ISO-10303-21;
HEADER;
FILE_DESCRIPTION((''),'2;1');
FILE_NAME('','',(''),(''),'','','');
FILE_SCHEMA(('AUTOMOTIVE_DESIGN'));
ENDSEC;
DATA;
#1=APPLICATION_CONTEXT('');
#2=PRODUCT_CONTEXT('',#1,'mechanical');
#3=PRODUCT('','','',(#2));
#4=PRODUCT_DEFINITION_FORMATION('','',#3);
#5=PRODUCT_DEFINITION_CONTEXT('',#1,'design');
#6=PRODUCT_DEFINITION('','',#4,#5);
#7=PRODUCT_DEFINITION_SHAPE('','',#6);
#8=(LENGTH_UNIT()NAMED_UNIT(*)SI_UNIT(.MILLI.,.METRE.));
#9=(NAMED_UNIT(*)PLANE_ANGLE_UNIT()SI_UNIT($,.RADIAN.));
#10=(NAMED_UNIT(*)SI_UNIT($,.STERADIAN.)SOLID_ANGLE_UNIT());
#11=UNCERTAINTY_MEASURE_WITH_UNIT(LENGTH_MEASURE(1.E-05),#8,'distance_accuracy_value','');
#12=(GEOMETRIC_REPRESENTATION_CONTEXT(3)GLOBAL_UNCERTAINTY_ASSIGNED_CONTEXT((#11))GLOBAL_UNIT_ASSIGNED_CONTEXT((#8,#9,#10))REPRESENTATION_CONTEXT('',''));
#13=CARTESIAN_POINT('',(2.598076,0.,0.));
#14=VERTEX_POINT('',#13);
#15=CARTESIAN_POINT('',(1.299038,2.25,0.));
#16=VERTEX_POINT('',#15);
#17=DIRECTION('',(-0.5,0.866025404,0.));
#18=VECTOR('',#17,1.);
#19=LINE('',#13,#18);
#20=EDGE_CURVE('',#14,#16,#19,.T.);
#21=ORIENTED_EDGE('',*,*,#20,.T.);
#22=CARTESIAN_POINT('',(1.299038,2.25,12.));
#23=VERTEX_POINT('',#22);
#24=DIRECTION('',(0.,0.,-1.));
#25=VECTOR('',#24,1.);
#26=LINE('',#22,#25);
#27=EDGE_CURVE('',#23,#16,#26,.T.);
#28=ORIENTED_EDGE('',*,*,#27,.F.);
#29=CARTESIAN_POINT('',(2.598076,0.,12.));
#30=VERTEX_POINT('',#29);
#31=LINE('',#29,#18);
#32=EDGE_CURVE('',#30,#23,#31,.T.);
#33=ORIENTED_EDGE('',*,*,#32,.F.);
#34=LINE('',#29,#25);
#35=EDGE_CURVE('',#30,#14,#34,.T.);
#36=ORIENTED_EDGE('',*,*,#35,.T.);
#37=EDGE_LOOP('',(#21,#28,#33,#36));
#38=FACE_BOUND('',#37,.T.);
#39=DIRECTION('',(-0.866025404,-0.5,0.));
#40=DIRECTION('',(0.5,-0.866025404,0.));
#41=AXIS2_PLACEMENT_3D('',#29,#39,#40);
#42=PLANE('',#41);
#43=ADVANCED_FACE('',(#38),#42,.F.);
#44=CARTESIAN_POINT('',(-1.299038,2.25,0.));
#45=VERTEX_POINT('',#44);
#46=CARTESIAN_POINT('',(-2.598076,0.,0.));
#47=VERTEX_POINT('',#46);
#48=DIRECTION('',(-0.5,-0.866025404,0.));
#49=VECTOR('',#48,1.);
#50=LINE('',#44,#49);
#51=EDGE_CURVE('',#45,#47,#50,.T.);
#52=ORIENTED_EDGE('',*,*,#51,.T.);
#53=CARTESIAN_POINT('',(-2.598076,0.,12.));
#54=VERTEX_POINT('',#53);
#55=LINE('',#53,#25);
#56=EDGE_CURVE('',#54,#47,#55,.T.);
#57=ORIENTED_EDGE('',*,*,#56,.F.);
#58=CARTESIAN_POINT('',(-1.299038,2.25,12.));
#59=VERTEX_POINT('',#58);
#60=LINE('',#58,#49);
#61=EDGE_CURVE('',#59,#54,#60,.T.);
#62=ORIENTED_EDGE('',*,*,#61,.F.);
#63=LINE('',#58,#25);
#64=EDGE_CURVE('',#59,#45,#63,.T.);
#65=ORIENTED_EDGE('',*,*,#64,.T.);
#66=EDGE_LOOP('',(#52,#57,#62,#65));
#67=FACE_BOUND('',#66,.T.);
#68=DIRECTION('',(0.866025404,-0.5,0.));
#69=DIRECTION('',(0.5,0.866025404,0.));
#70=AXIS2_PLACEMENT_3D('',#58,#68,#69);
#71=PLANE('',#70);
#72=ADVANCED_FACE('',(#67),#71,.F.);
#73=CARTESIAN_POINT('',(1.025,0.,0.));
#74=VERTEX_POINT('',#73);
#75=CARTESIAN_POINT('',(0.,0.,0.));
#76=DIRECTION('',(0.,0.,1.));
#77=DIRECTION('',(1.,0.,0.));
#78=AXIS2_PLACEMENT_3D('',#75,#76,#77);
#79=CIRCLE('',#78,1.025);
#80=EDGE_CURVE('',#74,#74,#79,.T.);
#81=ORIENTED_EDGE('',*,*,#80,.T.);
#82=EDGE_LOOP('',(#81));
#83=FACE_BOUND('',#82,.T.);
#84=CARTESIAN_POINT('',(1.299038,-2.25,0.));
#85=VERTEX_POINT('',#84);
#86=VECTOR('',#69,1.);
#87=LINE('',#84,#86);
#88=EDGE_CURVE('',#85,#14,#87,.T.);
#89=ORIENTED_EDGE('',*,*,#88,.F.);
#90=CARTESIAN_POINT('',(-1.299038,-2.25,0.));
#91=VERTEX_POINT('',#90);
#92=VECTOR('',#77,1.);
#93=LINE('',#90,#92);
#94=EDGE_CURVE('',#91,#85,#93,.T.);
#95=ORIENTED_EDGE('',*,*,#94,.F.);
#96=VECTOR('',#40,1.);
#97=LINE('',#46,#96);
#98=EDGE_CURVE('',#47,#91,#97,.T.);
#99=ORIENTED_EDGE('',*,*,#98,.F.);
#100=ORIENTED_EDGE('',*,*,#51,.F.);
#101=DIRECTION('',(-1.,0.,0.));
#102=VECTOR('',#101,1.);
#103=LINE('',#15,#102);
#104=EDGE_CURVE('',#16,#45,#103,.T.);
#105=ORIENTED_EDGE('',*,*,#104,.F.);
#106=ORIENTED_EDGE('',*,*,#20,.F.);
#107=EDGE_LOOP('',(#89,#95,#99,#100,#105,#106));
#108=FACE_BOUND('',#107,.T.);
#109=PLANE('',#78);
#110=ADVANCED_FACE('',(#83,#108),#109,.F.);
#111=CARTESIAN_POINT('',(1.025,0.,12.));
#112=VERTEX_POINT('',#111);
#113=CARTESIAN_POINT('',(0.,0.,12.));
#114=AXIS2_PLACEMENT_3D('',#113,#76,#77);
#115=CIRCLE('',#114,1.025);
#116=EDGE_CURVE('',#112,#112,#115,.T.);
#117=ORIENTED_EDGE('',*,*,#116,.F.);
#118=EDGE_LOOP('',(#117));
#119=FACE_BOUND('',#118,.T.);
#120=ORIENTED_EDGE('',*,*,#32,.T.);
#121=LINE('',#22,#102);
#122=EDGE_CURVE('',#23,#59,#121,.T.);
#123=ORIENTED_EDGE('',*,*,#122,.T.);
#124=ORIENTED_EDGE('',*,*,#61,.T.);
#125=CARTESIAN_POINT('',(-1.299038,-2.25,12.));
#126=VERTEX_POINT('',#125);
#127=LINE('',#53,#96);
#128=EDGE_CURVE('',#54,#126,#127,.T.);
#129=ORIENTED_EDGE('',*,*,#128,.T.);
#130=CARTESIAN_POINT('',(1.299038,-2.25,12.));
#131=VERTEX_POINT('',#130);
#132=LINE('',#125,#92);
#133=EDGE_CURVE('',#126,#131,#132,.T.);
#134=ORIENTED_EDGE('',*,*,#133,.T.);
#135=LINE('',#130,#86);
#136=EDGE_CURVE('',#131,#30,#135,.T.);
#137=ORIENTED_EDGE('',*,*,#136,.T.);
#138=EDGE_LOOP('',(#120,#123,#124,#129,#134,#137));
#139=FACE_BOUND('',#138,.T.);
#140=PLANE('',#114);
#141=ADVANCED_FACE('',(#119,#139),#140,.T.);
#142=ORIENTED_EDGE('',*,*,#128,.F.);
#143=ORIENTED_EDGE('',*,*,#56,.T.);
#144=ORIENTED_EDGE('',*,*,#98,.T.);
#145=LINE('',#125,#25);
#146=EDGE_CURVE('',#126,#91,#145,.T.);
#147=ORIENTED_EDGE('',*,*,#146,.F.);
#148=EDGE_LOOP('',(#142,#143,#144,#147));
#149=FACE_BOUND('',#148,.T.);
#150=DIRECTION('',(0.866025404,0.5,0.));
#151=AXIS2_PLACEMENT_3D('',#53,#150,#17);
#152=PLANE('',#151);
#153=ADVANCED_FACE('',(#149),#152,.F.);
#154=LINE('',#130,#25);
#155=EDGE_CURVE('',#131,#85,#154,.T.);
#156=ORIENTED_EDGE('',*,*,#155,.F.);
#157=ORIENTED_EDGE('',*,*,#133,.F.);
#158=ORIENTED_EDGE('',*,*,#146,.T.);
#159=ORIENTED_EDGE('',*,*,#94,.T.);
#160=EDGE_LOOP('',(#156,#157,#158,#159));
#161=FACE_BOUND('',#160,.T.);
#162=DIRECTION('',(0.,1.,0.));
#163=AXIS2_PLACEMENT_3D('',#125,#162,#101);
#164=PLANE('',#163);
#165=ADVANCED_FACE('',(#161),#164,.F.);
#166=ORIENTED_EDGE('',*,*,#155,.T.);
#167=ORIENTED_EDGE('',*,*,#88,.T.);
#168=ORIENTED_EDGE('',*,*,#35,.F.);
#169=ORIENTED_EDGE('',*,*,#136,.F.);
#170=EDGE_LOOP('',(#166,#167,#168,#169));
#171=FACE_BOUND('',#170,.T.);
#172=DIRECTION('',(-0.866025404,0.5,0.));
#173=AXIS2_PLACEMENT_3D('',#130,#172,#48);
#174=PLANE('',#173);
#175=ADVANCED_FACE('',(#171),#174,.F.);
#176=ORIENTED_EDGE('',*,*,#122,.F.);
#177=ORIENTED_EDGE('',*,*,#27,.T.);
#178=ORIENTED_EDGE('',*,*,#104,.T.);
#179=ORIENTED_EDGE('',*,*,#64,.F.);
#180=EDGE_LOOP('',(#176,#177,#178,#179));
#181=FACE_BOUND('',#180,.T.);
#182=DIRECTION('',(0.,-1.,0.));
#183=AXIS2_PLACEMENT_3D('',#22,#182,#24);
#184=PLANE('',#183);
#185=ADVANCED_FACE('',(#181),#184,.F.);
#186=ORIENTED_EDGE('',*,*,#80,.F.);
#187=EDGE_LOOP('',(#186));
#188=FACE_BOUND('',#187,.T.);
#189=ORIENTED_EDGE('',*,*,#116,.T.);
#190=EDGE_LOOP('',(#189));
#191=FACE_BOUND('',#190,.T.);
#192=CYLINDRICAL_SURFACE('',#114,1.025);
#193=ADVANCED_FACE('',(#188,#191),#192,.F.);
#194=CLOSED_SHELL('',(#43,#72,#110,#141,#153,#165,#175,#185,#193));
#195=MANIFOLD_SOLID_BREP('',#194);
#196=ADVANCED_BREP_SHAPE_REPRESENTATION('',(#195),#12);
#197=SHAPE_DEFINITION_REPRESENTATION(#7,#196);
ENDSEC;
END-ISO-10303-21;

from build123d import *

# Parameters (mm, degrees)
EXTRUDE_1_DEPTH          = 12
HOLE_WIZARD_M2_5_1_D     = 2.05
HOLE_WIZARD_M2_5_1_DEPTH = 21.35
HOLE_WIZARD_M2_5_1_TIP   = 0.615882135


with BuildPart() as part:
    # 草图1 → 凸台-拉伸1 (new body)
    with BuildSketch(Plane.XY):
        Polygon((-1.299038106, 2.25), (-2.598076211, 0), (-1.299038106, -2.25), (1.299038106, -2.25), (2.598076211, 0), (1.299038106, 2.25), align=None)
    extrude(amount=EXTRUDE_1_DEPTH)

    # M2.5 螺纹孔1
    with Locations(Plane.XY.offset(12)):
        with Locations((0, 0)):
            Hole(HOLE_WIZARD_M2_5_1_D / 2, depth=HOLE_WIZARD_M2_5_1_DEPTH)
            with Locations((0, 0, -(HOLE_WIZARD_M2_5_1_DEPTH + HOLE_WIZARD_M2_5_1_TIP / 2))):  # 118° drill point
                Cone(0, HOLE_WIZARD_M2_5_1_D / 2, HOLE_WIZARD_M2_5_1_TIP, mode=Mode.SUBTRACT)


solid = part.part
